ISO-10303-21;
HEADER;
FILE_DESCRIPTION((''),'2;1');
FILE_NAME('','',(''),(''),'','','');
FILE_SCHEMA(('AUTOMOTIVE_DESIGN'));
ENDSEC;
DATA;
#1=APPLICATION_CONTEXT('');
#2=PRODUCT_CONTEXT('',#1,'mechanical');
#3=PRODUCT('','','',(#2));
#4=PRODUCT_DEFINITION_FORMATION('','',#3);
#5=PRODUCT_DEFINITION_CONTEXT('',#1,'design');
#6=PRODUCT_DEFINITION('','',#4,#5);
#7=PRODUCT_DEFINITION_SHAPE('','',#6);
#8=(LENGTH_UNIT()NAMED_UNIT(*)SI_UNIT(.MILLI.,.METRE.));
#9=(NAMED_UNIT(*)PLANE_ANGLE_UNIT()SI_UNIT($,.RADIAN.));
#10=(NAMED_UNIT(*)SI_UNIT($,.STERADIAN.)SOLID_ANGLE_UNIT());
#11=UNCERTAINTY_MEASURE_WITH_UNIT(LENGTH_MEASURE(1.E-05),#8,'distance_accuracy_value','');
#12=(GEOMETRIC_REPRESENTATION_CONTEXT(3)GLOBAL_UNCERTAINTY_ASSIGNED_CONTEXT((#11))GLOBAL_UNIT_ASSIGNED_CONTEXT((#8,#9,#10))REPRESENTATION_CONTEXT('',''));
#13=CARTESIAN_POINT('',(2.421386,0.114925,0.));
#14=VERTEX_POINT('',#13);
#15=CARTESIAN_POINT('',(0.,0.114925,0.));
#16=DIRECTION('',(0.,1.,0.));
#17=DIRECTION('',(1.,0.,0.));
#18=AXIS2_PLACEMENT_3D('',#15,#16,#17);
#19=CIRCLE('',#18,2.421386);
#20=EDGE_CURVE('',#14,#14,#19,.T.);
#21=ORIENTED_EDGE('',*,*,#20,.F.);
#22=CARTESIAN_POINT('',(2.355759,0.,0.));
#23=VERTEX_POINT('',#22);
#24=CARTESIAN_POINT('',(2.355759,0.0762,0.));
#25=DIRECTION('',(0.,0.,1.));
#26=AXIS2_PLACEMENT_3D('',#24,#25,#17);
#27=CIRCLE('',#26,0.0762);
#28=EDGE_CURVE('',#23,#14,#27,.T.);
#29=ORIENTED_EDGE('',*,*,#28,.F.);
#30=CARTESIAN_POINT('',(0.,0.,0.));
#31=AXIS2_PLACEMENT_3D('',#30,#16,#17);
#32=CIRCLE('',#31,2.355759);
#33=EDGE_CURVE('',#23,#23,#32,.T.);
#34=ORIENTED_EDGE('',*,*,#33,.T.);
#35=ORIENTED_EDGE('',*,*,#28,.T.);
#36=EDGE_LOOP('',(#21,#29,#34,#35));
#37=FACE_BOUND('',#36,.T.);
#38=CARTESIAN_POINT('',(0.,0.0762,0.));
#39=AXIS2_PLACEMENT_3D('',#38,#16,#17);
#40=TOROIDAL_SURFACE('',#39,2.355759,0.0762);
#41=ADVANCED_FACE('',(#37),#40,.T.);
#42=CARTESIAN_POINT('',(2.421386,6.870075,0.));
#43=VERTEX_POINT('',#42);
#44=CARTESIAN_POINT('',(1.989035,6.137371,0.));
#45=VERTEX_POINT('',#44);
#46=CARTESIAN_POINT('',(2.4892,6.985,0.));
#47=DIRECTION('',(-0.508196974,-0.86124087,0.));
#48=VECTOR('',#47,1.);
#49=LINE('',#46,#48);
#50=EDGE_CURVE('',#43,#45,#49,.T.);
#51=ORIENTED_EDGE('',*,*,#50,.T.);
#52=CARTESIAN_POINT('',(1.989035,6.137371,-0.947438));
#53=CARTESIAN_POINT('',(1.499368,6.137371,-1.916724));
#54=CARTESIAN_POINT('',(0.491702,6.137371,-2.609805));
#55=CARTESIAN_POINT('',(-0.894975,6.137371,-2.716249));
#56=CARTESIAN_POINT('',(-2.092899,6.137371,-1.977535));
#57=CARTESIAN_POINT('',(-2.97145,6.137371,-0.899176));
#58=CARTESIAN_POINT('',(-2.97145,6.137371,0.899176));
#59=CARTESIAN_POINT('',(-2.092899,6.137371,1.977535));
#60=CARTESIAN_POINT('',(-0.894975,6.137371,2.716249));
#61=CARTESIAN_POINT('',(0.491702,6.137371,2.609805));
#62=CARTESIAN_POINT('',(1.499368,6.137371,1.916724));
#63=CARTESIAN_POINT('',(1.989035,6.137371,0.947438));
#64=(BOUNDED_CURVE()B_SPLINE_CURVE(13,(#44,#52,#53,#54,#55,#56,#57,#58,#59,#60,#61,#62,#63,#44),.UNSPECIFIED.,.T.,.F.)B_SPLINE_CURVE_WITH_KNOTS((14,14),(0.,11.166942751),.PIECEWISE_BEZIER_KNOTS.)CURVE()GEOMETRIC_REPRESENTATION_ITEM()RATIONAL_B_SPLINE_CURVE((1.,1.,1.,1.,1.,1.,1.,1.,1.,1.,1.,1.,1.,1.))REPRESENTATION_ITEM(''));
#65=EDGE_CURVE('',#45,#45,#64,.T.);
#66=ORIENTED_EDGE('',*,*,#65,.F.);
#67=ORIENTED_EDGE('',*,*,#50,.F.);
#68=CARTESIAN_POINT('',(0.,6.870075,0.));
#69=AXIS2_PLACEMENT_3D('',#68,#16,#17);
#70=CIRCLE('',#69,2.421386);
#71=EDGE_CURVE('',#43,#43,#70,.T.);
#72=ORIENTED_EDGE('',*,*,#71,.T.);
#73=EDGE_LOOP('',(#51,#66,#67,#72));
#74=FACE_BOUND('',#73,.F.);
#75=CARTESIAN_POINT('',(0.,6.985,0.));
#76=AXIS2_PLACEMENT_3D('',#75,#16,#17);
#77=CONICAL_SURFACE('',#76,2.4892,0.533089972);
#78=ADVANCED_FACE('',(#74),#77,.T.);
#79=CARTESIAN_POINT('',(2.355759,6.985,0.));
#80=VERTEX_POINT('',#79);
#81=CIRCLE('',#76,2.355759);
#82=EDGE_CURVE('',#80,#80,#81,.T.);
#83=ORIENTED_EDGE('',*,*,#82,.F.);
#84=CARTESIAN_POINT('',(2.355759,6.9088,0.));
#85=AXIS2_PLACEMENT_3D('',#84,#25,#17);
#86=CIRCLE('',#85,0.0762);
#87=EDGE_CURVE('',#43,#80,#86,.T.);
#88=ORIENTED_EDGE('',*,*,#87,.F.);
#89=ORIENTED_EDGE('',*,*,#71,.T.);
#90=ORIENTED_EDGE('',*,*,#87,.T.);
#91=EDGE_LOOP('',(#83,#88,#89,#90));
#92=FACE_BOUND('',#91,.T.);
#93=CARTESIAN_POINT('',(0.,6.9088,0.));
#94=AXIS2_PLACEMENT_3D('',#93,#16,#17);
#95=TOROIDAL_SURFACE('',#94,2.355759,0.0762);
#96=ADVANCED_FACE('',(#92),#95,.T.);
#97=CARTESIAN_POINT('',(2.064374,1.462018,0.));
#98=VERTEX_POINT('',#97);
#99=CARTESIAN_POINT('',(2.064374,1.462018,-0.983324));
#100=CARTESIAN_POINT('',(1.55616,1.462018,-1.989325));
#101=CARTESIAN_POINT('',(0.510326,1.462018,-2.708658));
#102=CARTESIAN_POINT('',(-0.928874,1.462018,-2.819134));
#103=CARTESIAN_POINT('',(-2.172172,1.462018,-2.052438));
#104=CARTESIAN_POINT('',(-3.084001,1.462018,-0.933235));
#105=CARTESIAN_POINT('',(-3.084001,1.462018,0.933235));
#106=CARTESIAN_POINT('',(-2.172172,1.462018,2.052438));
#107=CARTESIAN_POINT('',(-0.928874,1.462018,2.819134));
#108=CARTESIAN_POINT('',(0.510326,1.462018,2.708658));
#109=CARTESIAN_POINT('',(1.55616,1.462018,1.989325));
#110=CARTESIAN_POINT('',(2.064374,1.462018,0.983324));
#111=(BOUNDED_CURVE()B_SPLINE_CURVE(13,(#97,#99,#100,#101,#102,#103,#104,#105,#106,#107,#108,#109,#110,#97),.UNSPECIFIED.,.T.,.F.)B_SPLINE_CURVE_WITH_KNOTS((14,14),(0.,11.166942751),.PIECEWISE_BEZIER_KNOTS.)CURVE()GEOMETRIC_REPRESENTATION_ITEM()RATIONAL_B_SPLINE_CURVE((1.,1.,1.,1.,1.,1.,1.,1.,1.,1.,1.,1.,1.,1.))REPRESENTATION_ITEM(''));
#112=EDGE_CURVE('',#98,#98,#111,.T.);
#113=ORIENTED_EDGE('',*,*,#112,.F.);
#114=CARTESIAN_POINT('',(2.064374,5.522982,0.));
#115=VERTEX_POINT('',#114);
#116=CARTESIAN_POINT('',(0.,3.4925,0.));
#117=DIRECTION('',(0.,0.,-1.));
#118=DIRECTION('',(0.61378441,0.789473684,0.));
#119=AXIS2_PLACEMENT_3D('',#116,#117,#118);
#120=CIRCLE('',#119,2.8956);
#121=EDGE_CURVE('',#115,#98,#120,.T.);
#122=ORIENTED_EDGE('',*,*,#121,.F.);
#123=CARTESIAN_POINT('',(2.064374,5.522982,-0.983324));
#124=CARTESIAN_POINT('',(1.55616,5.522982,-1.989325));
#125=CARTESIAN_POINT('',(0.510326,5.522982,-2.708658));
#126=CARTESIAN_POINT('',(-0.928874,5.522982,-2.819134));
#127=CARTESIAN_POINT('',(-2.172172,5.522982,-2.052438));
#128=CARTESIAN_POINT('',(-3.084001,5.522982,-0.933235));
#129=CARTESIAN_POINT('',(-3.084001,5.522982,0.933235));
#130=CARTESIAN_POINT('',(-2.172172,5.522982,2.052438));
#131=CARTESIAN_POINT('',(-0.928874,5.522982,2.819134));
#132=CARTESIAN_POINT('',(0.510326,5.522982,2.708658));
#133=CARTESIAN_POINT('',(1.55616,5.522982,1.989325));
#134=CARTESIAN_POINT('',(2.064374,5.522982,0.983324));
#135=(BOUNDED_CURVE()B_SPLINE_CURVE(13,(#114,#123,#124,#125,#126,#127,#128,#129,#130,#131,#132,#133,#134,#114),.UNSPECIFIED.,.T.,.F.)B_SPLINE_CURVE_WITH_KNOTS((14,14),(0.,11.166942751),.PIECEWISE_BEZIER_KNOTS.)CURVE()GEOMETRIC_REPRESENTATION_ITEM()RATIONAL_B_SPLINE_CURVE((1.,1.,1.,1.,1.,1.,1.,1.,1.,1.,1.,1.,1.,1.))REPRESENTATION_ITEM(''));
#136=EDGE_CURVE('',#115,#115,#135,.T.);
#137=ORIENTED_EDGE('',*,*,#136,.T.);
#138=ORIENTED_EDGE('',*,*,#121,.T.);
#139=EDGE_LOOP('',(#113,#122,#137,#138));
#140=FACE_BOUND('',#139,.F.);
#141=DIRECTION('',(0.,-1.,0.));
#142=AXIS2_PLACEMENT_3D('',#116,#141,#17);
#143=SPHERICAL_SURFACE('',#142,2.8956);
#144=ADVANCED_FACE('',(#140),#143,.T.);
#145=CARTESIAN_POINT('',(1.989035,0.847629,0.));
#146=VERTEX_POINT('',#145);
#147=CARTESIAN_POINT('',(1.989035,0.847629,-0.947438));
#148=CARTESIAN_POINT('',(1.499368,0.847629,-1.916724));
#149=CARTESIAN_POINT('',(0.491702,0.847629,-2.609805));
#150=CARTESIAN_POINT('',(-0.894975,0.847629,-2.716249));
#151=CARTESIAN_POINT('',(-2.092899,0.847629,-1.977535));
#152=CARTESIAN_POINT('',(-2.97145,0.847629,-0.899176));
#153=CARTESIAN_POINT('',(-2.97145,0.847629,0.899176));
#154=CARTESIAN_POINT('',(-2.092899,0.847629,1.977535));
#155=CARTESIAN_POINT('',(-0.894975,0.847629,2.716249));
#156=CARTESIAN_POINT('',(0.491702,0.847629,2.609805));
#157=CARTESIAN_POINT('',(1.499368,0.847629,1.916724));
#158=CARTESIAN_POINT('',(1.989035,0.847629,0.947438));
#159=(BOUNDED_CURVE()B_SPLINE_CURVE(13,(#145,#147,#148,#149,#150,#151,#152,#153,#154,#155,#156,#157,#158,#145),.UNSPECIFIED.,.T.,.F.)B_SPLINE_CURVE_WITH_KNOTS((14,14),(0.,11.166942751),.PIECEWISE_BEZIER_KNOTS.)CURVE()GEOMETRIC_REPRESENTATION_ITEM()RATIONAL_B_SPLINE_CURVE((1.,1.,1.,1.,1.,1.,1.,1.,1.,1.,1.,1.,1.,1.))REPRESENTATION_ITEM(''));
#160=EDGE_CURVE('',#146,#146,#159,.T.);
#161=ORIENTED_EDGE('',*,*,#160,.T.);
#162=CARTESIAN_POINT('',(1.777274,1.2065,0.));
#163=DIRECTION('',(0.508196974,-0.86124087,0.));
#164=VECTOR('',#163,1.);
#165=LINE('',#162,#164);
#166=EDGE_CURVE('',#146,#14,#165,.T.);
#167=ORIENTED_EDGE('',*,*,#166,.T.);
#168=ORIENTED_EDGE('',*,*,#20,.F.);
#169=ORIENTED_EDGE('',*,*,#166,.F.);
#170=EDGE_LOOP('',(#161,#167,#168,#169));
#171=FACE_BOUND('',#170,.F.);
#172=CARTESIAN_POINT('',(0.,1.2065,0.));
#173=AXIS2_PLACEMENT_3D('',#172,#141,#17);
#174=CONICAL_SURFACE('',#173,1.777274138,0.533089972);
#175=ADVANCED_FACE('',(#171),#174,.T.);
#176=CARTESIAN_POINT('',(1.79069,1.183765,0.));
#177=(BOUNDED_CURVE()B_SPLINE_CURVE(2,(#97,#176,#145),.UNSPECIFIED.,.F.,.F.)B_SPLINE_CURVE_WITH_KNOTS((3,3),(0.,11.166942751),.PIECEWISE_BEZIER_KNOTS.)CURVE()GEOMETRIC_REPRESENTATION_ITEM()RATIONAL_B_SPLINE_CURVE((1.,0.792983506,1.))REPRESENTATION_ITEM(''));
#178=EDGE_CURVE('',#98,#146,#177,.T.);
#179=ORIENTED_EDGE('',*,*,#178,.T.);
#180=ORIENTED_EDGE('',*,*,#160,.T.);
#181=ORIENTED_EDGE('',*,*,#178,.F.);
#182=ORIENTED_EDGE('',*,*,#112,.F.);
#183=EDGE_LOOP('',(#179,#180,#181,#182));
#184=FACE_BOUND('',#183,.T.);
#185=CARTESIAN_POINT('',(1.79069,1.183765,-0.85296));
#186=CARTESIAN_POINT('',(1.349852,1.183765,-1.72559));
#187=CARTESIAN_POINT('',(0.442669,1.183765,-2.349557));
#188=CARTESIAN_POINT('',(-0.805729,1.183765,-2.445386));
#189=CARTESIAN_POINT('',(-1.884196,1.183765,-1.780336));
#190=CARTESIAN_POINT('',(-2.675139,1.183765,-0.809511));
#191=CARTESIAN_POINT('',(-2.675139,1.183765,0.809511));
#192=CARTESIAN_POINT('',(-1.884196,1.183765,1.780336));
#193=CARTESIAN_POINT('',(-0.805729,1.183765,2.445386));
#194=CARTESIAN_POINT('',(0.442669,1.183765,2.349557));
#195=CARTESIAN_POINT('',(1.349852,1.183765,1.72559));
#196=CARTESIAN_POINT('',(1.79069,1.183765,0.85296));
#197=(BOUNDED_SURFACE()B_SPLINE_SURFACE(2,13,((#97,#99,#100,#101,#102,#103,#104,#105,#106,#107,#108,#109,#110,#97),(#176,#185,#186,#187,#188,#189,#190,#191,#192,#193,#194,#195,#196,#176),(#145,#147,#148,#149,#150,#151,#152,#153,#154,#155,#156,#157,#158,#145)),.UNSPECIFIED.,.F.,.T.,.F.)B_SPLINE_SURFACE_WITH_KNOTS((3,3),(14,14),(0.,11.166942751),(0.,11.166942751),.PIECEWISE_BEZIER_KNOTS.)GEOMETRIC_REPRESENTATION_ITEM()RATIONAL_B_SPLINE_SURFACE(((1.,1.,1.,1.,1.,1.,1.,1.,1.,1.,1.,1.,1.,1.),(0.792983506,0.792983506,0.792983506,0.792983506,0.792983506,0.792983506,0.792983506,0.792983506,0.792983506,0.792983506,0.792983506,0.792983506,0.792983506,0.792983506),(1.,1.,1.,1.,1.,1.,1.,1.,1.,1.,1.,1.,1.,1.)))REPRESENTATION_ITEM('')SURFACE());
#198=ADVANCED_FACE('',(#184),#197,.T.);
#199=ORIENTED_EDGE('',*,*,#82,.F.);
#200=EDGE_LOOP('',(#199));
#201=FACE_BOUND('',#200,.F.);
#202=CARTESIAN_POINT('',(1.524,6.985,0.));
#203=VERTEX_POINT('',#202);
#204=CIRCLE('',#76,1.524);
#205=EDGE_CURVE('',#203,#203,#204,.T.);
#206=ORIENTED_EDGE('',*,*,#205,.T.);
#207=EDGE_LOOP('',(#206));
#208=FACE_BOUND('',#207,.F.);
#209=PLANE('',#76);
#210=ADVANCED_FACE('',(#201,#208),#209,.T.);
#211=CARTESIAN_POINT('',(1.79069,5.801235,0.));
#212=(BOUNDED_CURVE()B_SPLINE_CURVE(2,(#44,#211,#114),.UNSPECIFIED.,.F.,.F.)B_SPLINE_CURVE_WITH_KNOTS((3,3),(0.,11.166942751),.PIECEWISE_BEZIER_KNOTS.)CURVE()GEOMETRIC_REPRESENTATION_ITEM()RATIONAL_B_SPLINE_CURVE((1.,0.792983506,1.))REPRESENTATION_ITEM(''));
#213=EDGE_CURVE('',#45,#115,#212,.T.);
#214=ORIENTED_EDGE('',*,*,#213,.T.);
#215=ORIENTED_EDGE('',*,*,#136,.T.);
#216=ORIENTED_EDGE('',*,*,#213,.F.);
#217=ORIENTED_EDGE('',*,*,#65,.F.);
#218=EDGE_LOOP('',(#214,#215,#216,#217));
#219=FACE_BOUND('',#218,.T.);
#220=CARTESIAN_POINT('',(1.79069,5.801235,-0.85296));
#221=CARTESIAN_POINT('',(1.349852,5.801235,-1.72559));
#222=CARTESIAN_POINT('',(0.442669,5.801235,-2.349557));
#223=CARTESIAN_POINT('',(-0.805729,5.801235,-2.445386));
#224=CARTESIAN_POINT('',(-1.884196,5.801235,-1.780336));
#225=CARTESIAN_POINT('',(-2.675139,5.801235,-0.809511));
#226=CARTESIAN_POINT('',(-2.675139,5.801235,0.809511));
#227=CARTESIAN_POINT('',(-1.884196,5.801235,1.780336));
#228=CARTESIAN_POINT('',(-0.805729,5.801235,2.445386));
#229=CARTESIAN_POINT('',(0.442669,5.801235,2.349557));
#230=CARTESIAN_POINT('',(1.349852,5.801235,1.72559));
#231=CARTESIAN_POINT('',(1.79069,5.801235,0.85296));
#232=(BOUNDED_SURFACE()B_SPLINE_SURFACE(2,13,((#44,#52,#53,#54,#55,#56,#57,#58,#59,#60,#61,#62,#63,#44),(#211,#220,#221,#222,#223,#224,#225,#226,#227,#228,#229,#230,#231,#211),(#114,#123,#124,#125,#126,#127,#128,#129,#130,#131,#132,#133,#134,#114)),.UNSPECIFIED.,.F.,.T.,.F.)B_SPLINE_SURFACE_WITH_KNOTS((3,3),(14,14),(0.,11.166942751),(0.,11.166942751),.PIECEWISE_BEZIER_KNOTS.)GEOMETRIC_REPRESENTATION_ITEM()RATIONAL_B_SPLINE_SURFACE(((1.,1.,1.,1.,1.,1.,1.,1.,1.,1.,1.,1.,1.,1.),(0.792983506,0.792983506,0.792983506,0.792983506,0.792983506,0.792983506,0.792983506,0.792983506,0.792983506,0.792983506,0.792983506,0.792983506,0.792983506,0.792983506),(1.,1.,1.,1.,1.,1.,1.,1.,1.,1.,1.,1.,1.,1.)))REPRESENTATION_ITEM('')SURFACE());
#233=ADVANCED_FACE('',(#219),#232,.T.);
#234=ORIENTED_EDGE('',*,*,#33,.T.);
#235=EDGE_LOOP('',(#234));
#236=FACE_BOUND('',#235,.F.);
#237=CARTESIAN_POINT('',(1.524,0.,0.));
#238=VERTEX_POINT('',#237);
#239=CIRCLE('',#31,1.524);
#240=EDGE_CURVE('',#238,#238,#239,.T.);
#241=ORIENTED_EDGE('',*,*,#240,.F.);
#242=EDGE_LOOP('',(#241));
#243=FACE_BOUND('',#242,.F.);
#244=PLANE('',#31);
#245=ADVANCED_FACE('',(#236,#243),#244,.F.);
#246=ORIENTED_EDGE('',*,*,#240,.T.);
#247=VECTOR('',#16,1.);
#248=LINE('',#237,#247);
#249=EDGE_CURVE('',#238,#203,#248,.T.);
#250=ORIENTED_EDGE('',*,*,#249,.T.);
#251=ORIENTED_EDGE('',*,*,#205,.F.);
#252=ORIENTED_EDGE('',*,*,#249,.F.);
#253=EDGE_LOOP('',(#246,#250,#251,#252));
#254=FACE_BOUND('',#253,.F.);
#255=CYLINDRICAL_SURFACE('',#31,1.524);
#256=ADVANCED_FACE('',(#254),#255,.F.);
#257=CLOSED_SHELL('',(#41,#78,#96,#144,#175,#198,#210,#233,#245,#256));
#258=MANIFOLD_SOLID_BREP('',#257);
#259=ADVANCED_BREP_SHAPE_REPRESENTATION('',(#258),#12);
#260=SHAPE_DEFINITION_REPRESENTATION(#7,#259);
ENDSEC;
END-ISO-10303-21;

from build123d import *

# Parameters (mm, degrees)
FILLET1_R = 0.508
FILLET2_R = 0.0762


with BuildPart() as part:
    # Sketch1 → Revolve1 (revolve)
    with BuildSketch(Plane.XY):
        with BuildLine():
            Line((1.524, 0), (1.524, 6.985))
            Line((1.524, 6.985), (2.4892, 6.985))
            Line((2.4892, 6.985), (1.777274138, 5.7785))
            ThreePointArc((1.777274138, 5.7785), (2.8956, 3.4925), (1.777274138, 1.2065))
            Line((1.777274138, 1.2065), (2.4892, 0))
            Line((2.4892, 0), (1.524, 0))
        make_face()
    revolve(axis=Axis((0, 0, 0), (0, 1, 0)))

    # Fillet1
    fillet1_edges = [part.edges().sort_by_distance(p)[0] for p in [
        (-1.777274138, 1.2065, 0),
        (-1.777274138, 5.7785, 0),
    ]]
    fillet(fillet1_edges, radius=FILLET1_R)

    # Fillet2
    fillet2_edges = [part.edges().sort_by_distance(p)[0] for p in [
        (-2.4892, 0, 0),
        (-2.4892, 6.985, 0),
    ]]
    fillet(fillet2_edges, radius=FILLET2_R)


solid = part.part
